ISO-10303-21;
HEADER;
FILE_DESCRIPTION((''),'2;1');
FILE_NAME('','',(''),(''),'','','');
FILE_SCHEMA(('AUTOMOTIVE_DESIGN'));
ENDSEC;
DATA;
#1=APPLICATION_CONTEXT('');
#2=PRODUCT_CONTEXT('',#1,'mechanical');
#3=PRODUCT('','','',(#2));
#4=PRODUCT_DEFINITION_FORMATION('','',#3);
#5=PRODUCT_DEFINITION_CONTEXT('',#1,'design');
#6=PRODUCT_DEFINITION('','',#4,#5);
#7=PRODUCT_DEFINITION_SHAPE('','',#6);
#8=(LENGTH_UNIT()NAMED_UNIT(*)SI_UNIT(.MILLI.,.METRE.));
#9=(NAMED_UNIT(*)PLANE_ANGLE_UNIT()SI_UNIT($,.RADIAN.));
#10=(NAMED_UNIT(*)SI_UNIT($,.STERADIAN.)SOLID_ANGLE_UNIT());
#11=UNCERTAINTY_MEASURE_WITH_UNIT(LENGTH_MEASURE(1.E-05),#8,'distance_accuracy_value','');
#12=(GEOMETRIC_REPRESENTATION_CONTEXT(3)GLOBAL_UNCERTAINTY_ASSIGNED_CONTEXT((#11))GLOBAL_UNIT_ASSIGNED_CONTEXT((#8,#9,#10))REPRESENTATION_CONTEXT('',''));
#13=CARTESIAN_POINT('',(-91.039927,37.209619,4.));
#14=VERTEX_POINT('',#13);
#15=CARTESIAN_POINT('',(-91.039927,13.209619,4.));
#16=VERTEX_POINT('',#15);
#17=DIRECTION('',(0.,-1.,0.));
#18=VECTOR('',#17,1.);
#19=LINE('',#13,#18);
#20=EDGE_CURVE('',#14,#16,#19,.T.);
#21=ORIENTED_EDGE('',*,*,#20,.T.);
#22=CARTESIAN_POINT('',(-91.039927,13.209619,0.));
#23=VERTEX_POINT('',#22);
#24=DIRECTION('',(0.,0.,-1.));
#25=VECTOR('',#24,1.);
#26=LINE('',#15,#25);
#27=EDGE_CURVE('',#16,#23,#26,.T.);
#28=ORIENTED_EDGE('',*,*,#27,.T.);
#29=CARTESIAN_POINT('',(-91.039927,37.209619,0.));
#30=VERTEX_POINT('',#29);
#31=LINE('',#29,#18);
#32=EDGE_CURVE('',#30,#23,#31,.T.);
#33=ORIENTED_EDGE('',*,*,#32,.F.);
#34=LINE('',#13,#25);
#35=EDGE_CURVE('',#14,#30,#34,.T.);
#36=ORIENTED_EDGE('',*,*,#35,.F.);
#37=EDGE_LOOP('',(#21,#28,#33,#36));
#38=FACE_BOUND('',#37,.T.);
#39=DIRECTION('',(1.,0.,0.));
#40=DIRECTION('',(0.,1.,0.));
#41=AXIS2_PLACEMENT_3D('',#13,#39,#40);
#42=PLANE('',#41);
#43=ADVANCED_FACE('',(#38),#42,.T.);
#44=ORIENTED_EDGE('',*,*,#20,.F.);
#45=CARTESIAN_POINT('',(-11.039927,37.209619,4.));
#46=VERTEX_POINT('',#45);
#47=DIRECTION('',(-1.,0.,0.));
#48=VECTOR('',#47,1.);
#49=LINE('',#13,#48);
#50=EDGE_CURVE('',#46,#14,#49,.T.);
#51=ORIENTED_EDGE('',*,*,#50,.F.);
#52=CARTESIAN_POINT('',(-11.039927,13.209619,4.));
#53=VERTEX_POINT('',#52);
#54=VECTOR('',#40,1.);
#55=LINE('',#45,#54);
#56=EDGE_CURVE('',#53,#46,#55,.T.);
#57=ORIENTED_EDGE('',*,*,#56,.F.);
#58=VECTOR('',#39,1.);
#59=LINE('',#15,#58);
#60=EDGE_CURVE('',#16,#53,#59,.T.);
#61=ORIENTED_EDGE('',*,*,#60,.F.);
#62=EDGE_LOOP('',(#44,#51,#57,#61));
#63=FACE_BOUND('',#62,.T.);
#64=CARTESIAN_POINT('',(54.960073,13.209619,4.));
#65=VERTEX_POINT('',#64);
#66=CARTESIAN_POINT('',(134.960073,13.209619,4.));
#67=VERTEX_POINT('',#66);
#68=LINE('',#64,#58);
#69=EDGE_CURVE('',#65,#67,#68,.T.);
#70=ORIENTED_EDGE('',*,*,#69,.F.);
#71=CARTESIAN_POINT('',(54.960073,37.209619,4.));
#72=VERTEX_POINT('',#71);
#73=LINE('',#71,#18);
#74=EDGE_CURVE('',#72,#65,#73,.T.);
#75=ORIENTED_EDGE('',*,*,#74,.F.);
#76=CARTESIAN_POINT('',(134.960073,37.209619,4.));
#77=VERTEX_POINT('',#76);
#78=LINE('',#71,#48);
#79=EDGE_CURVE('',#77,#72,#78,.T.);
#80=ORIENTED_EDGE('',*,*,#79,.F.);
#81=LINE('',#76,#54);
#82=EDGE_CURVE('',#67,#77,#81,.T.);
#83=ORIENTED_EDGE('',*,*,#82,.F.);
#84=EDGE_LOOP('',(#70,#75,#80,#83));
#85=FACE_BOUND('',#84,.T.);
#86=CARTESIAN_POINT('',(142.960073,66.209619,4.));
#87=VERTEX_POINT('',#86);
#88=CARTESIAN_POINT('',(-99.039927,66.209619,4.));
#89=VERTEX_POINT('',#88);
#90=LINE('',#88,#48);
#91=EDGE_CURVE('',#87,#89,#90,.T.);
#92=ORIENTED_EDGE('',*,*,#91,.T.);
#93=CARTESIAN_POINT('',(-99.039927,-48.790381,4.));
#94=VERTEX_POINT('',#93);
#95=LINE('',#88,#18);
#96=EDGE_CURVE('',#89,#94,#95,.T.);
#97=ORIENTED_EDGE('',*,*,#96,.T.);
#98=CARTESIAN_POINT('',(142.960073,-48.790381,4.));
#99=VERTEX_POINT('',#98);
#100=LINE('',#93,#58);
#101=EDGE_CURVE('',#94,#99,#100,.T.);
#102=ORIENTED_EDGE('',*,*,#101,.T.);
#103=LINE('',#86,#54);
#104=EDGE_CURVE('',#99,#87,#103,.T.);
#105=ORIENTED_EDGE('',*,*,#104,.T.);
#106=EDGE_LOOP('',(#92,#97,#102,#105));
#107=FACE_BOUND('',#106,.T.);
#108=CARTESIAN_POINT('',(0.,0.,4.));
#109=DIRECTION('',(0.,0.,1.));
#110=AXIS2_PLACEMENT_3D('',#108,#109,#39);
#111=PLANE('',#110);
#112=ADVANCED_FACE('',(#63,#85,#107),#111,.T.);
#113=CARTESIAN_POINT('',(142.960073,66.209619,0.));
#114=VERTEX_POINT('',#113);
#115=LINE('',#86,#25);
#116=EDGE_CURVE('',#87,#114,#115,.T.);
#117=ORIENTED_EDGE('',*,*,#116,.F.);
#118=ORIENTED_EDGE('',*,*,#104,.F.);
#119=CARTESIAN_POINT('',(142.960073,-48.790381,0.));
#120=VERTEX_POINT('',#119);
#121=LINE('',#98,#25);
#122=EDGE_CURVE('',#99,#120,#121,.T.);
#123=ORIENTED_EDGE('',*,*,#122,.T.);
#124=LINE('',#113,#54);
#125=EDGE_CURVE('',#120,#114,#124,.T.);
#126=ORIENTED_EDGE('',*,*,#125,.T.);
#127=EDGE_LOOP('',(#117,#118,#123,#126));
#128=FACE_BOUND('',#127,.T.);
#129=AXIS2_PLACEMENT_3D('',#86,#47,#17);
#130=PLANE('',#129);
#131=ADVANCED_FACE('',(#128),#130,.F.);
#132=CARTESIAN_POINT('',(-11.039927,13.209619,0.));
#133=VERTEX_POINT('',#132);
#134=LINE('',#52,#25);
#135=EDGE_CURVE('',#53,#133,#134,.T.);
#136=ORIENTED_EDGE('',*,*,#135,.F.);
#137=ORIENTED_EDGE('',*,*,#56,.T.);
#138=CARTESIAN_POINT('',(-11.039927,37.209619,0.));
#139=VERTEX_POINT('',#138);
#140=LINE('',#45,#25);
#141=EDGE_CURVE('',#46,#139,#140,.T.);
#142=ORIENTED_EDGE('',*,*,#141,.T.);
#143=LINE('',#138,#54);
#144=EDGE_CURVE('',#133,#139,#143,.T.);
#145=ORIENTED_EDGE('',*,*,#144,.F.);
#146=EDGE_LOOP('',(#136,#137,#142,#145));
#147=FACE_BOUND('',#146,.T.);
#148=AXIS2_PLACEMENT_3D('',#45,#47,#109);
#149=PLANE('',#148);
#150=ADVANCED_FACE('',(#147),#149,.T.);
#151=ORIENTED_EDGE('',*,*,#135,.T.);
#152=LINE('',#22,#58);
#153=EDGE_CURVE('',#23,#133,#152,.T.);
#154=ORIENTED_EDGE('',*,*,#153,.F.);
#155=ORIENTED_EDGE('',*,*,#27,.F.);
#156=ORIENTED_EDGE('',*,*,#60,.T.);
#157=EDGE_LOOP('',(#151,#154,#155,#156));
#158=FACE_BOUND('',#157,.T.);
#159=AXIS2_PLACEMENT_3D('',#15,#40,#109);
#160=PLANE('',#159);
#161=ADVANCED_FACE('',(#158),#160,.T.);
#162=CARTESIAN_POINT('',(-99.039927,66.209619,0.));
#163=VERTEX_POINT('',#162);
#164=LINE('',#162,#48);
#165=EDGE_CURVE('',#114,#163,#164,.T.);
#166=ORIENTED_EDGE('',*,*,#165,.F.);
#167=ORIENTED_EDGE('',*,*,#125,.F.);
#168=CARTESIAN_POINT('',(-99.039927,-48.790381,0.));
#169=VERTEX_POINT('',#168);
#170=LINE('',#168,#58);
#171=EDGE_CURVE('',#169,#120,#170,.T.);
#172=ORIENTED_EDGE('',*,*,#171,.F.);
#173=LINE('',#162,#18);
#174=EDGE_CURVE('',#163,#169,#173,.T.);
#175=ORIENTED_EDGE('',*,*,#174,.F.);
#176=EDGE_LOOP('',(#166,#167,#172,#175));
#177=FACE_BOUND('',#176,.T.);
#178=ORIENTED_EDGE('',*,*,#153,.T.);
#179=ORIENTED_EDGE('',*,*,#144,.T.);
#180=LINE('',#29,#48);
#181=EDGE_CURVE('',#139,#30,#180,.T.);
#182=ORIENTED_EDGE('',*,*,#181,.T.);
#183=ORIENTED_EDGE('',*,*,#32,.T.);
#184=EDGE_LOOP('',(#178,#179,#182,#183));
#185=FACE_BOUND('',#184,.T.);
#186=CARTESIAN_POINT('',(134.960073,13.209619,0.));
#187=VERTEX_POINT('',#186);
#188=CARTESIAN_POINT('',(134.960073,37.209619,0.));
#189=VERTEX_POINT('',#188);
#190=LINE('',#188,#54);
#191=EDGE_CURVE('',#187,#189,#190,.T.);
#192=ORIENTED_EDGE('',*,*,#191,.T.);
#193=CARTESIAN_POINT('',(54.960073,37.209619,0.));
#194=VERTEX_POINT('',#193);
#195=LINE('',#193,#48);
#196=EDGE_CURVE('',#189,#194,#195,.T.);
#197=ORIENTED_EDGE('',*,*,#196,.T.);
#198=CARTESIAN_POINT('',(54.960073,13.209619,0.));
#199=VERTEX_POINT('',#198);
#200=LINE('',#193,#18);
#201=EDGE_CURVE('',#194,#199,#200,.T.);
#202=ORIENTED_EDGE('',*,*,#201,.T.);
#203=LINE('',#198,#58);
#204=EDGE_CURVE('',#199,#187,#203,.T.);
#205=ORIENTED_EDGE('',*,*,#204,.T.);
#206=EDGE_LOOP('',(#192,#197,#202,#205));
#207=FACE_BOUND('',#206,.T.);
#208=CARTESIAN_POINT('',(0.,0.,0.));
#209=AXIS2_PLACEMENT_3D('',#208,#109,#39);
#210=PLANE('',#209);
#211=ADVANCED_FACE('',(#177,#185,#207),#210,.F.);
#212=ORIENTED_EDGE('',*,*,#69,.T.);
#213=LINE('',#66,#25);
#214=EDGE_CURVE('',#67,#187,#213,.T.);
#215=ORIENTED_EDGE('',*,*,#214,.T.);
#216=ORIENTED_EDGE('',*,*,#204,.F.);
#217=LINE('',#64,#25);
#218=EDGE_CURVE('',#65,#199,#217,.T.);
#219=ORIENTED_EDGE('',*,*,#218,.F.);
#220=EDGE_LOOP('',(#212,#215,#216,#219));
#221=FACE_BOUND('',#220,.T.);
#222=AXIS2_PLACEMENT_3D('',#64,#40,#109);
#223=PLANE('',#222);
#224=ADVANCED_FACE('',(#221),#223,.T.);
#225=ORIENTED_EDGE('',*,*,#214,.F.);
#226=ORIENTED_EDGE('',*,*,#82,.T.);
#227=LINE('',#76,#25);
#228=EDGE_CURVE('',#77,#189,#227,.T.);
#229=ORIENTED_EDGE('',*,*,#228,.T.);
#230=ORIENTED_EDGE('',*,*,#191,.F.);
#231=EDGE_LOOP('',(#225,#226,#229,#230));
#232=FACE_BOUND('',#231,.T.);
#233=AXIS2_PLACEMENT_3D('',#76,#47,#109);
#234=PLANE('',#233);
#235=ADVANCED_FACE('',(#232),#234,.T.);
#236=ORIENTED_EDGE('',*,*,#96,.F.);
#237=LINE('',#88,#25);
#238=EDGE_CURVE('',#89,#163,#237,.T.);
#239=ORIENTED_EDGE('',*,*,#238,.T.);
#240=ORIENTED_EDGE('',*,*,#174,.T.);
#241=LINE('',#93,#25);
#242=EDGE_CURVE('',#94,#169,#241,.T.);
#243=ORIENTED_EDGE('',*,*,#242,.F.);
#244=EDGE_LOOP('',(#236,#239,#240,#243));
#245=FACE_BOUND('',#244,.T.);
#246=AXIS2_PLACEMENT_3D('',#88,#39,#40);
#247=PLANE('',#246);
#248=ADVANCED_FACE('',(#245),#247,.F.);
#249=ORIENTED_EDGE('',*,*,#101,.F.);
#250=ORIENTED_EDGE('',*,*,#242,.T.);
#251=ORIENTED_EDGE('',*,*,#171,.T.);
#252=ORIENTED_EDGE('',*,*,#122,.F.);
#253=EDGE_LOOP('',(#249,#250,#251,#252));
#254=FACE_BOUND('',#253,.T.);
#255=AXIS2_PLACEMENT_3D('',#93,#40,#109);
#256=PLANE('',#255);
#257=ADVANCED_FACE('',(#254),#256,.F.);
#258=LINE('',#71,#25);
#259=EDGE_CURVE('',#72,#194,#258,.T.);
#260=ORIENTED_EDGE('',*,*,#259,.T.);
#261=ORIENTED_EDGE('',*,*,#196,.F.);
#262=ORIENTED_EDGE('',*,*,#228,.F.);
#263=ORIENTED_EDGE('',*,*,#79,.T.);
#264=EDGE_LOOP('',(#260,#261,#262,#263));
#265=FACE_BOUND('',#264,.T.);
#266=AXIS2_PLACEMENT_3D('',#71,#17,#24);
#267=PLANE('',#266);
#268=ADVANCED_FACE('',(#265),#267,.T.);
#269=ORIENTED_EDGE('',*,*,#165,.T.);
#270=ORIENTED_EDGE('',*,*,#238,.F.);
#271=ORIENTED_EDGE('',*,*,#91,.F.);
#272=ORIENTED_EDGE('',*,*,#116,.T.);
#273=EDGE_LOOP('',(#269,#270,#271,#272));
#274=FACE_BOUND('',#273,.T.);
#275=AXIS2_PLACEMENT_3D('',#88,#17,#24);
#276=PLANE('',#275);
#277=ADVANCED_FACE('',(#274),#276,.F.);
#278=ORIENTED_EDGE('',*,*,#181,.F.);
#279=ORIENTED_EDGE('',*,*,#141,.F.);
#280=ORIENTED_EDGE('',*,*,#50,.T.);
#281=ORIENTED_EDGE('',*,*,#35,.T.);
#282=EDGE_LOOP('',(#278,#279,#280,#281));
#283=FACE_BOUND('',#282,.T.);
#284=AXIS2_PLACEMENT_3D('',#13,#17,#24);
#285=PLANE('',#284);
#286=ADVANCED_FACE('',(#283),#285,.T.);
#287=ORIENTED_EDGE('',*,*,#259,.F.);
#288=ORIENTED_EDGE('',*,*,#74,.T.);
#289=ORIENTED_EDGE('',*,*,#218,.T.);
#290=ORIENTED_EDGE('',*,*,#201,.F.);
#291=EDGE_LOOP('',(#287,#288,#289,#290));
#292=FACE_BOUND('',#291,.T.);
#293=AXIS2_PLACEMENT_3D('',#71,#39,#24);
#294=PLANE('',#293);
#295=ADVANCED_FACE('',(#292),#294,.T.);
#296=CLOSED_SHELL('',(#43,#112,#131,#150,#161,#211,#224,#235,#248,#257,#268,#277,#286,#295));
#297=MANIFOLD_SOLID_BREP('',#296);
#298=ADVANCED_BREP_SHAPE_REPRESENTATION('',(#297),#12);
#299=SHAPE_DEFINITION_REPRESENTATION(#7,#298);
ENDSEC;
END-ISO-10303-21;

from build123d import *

# Parameters (mm, degrees)
SKETCH_1_W      = 242
SKETCH_1_H      = 115
SKETCH_1_W_2    = 80
SKETCH_1_H_2    = 24
EXTRUDE_1_DEPTH = 4


with BuildPart() as part:
    # 草图1 → 凸台-拉伸1 (new body)
    with BuildSketch(Plane.XY):
        with Locations((21.960072595, 8.709618875)):
            Rectangle(SKETCH_1_W, SKETCH_1_H)
        with Locations((-51.039927405, 25.209618875)):
            Rectangle(SKETCH_1_W_2, SKETCH_1_H_2, mode=Mode.SUBTRACT)
        with Locations((94.960072595, 25.209618875)):
            Rectangle(SKETCH_1_W_2, SKETCH_1_H_2, mode=Mode.SUBTRACT)
    extrude(amount=EXTRUDE_1_DEPTH)


solid = part.part
